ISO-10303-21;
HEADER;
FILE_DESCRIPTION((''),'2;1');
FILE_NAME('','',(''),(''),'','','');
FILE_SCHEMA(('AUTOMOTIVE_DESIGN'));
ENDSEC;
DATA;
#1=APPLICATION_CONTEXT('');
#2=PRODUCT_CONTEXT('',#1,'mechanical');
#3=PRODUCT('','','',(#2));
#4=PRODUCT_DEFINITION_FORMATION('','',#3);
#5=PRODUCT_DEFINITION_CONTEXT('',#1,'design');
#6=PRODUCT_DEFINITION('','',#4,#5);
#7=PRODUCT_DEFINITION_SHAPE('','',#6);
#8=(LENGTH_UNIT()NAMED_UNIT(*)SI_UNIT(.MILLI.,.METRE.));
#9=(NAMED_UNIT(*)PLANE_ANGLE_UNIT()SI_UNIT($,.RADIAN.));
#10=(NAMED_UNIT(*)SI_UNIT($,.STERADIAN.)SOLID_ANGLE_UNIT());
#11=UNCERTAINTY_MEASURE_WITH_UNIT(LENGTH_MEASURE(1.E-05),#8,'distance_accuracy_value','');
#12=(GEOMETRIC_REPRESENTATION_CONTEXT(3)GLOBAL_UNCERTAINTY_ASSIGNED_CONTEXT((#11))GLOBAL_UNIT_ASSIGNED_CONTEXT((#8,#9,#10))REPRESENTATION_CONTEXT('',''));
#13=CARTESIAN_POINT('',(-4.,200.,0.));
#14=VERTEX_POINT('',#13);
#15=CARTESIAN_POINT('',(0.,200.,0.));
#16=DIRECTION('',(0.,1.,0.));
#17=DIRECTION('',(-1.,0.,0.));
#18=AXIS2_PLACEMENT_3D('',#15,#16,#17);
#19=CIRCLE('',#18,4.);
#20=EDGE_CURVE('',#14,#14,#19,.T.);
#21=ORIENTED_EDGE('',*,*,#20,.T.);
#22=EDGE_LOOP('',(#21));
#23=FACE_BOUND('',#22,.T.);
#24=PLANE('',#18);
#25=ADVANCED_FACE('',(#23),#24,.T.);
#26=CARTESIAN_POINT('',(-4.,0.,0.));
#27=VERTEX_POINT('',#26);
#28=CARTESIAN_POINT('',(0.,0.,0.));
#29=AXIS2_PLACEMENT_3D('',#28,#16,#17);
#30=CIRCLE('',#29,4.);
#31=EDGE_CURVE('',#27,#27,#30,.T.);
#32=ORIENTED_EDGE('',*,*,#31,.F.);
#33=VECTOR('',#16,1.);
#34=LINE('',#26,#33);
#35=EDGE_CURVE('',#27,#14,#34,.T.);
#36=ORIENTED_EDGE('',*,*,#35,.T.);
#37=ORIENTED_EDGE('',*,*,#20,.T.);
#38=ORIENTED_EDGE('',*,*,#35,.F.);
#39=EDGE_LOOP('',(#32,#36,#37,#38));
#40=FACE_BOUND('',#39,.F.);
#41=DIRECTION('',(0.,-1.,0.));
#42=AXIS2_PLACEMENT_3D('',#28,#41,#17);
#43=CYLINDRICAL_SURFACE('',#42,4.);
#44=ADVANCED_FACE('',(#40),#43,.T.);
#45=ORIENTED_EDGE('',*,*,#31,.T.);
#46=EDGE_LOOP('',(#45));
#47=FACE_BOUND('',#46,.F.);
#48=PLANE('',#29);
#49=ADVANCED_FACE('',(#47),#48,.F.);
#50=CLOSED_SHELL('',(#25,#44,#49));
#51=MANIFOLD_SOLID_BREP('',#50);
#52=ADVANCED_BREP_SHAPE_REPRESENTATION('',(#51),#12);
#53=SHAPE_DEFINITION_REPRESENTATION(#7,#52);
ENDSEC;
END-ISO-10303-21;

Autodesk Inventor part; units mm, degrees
ref_plane "YZ Plane" through (0, 0, 0) normal (1, 0, 0) x (0, 1, 0)
ref_plane "XZ Plane" through (0, 0, 0) normal (0, 1, 0) x (-1, 0, 0)
ref_plane "XY Plane" through (0, 0, 0) normal (0, 0, 1) x (1, 0, 0)
sketch "Эскиз1" plane through (0, 0, 0) normal (0, 1, 0) x (-1, 0, 0)
  circle A0 centre (0, 0) radius 4
  dimension "d0" = 8
extrude "Выдавливание1" add sketch "Эскиз1" along normal blind 200
properties part number "trubka"
